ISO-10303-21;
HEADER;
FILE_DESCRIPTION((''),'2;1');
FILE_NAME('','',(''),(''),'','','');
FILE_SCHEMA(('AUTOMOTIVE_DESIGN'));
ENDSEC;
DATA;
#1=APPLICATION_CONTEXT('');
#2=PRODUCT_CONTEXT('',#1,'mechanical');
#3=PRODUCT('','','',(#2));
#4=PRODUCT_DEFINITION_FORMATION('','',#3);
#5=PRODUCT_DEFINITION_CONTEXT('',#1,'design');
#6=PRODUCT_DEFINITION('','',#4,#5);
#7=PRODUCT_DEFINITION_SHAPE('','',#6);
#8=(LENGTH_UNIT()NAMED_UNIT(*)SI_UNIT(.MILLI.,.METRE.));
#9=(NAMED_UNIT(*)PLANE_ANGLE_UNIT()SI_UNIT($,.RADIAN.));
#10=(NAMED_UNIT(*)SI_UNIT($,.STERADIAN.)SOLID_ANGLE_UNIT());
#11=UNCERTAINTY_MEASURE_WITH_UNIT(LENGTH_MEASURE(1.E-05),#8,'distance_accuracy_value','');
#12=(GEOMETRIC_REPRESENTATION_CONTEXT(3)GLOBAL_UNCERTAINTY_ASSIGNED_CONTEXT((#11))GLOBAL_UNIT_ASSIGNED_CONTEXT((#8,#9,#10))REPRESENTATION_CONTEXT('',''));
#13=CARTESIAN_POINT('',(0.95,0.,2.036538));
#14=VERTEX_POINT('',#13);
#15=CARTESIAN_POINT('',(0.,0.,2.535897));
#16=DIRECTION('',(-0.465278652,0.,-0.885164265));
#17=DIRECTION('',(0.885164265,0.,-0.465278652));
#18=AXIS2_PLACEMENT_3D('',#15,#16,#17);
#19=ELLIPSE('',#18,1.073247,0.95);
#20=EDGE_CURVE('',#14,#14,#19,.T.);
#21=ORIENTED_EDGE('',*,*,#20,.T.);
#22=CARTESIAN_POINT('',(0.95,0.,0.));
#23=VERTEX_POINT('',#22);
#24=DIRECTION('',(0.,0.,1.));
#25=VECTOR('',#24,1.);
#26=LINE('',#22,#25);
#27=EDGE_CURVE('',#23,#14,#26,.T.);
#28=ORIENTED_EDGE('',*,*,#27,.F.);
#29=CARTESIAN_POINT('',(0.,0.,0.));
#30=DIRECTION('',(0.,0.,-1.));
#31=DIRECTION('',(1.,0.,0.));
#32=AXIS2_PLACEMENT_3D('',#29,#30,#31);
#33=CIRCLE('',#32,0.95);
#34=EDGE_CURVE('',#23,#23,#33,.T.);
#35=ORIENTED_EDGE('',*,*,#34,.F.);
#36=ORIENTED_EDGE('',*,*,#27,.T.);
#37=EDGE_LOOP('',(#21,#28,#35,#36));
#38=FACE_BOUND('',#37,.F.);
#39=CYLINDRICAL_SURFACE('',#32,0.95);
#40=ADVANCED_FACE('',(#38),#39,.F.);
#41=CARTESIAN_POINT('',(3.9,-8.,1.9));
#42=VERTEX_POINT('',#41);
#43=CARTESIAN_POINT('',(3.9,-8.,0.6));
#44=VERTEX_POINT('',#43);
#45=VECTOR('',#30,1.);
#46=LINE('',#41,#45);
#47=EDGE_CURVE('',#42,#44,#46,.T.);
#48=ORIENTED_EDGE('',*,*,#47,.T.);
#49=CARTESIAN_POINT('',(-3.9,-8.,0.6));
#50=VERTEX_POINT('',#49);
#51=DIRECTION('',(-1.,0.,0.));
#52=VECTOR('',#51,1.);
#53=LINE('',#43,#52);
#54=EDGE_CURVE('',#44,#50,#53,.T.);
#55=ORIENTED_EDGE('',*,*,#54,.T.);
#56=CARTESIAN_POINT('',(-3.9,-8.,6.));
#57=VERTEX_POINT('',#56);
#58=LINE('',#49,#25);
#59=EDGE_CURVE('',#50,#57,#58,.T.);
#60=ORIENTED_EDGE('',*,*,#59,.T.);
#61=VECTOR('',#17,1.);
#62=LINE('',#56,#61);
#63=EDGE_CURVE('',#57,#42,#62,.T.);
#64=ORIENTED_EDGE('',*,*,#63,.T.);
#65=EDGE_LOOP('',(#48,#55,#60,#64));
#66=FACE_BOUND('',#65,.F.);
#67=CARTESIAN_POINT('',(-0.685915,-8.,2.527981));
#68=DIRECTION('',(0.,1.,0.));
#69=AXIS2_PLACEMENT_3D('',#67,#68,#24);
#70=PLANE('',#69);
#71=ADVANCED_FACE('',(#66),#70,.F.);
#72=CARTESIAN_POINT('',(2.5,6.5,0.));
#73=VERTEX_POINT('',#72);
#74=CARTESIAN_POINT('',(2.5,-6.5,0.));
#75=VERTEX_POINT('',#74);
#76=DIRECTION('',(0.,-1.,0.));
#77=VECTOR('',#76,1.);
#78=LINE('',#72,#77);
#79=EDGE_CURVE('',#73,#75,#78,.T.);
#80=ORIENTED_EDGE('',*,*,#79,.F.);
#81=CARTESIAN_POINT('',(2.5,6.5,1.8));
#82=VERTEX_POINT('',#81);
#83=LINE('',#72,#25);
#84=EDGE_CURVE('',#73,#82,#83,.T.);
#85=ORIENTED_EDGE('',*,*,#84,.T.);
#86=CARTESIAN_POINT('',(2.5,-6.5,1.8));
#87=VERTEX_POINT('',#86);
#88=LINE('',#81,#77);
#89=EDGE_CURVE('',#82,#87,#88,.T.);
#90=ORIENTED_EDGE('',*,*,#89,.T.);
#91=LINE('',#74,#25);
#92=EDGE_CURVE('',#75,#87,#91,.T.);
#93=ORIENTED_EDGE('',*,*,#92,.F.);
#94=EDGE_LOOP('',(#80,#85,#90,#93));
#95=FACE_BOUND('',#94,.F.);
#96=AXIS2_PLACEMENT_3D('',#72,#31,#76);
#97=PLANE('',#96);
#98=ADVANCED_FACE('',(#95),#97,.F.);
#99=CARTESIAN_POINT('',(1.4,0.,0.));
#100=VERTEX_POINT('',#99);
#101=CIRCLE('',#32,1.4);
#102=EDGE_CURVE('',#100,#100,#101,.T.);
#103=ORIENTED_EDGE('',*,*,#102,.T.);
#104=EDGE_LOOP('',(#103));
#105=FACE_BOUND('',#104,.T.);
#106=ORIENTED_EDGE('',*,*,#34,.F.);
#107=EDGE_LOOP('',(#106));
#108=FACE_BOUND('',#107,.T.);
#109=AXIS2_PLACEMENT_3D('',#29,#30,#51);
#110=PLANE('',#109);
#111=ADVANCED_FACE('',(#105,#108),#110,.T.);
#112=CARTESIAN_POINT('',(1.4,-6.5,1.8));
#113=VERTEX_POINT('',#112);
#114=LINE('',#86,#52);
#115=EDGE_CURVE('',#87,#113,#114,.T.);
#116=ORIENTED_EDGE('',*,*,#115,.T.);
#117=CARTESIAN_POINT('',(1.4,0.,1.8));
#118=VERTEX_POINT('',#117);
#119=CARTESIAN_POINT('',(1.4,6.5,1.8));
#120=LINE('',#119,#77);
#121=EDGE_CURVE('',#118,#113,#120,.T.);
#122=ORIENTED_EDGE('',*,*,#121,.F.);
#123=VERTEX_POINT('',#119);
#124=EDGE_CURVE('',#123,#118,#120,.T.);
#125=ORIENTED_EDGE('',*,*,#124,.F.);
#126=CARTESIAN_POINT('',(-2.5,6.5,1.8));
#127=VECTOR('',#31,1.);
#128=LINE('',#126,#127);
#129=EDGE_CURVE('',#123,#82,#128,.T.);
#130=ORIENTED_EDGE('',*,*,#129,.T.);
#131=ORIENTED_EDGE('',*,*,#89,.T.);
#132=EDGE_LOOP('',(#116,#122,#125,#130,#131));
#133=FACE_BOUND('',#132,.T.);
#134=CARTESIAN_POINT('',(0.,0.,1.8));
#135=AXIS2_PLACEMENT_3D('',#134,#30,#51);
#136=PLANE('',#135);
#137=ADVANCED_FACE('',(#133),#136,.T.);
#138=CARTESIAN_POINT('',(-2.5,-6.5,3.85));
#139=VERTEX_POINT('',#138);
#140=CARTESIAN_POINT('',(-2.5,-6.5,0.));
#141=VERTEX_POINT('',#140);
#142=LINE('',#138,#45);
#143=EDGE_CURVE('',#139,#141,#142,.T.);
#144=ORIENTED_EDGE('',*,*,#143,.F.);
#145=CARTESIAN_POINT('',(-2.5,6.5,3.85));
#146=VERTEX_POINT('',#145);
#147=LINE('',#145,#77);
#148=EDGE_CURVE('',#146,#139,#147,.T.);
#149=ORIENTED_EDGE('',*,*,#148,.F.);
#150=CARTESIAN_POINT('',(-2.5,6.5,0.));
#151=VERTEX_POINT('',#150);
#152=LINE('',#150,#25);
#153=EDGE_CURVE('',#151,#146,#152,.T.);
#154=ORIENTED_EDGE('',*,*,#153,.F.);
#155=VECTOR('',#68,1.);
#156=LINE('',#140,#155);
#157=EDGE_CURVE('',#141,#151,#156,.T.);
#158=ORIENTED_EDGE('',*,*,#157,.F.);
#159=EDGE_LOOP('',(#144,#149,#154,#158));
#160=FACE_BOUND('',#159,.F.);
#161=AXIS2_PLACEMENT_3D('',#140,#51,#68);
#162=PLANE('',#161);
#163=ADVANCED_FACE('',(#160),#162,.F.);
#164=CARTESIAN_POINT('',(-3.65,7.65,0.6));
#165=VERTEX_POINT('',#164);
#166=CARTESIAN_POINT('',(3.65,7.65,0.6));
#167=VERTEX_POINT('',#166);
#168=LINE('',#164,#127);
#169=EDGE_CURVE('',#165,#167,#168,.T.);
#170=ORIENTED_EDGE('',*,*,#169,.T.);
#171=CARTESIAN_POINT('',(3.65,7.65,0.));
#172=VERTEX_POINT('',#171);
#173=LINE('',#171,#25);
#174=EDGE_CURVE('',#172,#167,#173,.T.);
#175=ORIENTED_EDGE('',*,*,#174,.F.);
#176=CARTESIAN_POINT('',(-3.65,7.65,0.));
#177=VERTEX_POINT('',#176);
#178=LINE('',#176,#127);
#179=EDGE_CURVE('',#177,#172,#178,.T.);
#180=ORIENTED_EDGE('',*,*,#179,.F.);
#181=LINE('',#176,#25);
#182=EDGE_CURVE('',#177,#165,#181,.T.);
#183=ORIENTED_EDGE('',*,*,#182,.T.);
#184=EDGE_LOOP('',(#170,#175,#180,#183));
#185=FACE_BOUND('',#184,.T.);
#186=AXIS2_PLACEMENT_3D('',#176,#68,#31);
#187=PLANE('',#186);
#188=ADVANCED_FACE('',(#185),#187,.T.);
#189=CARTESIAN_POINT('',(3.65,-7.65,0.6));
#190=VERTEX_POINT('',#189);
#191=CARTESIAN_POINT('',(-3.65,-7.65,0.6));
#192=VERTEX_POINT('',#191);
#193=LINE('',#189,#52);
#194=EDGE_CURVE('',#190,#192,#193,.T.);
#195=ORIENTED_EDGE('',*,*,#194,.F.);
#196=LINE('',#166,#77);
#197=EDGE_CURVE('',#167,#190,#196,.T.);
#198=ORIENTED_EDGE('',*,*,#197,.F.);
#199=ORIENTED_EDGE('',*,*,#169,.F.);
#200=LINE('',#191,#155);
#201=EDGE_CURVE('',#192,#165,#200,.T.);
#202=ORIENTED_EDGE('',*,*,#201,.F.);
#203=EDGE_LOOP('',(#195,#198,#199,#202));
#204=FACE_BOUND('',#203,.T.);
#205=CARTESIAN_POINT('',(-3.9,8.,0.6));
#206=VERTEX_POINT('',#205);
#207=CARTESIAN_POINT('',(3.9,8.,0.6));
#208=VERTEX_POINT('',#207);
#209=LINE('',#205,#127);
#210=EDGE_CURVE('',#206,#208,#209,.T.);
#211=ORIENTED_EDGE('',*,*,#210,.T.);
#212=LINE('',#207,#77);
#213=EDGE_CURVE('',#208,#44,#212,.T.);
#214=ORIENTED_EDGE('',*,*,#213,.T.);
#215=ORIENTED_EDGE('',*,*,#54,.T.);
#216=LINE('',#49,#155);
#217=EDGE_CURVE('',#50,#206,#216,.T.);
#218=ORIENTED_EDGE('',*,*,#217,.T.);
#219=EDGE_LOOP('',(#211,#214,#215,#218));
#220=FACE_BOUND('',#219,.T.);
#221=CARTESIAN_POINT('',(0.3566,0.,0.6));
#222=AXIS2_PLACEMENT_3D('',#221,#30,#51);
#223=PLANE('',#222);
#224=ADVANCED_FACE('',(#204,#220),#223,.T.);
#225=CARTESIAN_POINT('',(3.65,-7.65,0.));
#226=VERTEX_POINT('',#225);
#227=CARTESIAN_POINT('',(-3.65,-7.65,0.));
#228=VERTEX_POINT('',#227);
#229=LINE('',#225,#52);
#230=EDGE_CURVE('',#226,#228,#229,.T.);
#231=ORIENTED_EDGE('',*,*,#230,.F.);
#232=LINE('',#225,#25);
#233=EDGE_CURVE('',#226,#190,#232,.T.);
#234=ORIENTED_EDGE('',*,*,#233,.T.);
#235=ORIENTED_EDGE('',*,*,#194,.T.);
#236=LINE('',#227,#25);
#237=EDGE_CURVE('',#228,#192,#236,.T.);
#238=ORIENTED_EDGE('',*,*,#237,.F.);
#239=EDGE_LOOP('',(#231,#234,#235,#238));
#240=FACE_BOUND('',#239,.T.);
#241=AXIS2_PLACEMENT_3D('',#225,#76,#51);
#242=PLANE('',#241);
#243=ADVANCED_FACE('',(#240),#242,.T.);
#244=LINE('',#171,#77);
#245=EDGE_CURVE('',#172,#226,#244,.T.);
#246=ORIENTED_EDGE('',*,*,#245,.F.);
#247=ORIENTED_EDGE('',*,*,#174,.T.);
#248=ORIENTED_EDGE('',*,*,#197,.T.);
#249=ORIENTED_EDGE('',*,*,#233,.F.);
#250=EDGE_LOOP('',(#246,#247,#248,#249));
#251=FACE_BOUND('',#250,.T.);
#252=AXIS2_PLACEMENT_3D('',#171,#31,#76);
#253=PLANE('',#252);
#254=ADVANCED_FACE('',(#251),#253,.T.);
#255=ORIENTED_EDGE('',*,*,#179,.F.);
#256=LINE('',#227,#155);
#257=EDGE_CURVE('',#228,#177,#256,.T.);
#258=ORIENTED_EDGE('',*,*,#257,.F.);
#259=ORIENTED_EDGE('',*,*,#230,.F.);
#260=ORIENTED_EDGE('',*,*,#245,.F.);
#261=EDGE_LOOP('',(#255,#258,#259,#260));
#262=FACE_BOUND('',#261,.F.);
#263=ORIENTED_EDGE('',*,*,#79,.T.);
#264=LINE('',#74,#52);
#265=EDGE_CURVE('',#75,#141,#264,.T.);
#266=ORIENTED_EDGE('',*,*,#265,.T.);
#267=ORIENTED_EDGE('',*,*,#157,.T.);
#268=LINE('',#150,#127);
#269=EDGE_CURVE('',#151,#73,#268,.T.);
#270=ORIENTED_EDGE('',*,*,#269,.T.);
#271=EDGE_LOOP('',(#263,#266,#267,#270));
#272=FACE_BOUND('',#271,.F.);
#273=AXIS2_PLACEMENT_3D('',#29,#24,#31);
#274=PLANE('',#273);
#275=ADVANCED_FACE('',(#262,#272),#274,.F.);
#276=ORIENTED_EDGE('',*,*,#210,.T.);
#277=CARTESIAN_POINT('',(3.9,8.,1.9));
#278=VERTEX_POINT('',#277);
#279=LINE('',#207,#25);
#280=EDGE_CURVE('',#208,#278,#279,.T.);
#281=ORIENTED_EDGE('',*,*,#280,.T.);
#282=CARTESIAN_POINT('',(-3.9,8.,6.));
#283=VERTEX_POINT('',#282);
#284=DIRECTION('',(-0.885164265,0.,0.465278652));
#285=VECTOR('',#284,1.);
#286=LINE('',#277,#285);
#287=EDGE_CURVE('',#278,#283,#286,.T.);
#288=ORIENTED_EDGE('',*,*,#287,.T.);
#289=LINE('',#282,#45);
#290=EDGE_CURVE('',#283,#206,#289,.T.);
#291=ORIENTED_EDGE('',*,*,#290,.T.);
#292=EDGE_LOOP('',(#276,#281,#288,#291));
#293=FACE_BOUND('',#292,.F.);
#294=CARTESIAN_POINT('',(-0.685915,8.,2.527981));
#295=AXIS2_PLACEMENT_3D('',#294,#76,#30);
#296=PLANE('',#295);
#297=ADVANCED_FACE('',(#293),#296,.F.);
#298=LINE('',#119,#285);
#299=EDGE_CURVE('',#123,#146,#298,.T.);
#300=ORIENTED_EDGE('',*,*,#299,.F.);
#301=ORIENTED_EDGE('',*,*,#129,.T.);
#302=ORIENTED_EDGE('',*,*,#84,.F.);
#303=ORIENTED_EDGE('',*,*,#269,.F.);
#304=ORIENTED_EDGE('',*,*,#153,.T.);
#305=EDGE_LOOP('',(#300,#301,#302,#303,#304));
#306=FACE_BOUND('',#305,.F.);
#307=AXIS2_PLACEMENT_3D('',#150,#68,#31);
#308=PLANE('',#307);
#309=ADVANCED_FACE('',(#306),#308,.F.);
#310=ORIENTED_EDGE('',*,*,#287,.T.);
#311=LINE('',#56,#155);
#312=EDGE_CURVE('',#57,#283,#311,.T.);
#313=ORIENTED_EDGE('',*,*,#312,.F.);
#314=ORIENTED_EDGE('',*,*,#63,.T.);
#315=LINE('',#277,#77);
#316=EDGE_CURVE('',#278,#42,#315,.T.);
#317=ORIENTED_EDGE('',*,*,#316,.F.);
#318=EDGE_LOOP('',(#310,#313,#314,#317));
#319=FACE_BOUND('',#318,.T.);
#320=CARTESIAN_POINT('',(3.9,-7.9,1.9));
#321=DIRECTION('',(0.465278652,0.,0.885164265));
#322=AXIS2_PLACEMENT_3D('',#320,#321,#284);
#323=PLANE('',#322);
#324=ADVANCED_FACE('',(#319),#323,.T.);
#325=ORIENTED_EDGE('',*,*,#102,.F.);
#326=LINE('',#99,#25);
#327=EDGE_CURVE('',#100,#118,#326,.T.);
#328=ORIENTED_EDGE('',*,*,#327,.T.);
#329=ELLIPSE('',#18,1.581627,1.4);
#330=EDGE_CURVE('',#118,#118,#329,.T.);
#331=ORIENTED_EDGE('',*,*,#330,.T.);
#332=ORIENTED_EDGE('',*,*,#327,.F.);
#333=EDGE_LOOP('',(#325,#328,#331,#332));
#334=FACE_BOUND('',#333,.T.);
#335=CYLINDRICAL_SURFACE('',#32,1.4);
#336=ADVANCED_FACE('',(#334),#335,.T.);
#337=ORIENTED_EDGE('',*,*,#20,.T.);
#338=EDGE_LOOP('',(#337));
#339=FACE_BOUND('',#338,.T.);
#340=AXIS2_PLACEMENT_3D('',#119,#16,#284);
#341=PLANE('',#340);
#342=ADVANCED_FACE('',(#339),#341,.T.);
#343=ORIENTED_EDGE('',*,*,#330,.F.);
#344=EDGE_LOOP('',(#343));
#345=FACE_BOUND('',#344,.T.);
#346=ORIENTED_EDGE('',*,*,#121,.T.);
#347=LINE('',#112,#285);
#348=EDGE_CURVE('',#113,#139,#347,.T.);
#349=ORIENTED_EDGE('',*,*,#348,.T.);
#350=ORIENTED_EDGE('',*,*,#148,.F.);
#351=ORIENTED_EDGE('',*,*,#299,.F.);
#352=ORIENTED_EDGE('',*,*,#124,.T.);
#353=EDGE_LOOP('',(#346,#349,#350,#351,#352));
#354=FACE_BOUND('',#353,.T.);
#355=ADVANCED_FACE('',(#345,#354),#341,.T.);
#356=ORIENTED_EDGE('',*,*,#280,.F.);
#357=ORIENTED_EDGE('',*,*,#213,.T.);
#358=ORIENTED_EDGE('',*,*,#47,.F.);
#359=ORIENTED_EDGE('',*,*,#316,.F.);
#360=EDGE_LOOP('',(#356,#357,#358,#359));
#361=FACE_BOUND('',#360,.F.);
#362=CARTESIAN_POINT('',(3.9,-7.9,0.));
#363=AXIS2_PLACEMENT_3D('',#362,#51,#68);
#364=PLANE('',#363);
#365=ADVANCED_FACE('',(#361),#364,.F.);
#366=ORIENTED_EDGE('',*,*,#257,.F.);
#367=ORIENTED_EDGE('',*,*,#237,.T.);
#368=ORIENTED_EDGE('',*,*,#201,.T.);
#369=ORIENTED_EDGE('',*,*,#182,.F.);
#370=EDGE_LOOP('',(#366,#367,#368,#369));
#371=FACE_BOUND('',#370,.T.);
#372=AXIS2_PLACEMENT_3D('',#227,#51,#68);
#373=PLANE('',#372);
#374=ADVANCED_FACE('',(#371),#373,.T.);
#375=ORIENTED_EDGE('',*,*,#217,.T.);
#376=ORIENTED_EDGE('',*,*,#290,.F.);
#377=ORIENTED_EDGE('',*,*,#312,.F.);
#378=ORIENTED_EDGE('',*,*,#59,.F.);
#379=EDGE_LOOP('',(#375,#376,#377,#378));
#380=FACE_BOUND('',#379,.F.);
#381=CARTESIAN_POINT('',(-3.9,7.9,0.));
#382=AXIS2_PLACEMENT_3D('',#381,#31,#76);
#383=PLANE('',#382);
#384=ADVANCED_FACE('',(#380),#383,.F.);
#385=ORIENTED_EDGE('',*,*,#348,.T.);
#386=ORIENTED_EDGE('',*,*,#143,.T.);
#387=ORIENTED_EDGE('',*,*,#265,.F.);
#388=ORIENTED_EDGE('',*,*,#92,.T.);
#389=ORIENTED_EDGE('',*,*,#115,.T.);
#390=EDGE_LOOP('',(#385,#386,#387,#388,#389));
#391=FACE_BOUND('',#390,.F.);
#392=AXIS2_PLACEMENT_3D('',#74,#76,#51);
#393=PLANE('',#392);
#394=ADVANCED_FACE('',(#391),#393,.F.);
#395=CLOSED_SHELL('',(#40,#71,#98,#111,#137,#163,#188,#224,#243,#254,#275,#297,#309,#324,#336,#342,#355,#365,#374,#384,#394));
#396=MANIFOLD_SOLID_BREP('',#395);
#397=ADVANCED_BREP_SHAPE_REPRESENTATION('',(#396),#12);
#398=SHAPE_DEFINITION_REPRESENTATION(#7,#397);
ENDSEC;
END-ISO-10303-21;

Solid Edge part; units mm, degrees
sketch "Sketch1" plane through (0, 0, 0) normal (0, 0, 1) x (1, 0, 0)
  line L0 (3.9, 7.9) -> (-3.9, 7.9)
  line L1 (-3.9, 7.9) -> (-3.9, -7.9)
  line L2 (-3.9, -7.9) -> (3.9, -7.9)
  line L3 (3.9, -7.9) -> (3.9, 7.9)
extrude "Protrusion1" add sketch "Sketch1" along normal blind 6
sketch "Sketch2" plane through (0, -7.9, 3) normal (0, -1, 0) x (1, 0, 0)
  line L0 (3.9, -3) -> (3.9, -1.1)
  line L1 (3.9, -1.1) -> (-3.9, 3)
  line L2 (-3.9, 3) -> (-3.9, 3.5621)
  line L3 (-3.9, 3.5621) -> (6.8698, 3.4105)
  line L4 (6.8698, 3.4105) -> (3.9, -3)
extrude "ExtrudedCutout_1" cut sketch "Sketch2" against normal blind 28.4067
sketch "Sketch3" plane through (0, 0, 0) normal (0, 0, -1) x (1, 0, 0)
  line L0 (3.65, 7.65) -> (-3.65, 7.65)
  line L1 (-3.65, 7.65) -> (-3.65, -7.65)
  line L2 (-3.65, -7.65) -> (3.65, -7.65)
  line L3 (3.65, -7.65) -> (3.65, 7.65)
  line L4 (-4.59, -8.7889) -> (5.3032, -8.7889)
  line L5 (5.3032, -8.7889) -> (5.3032, 8.7889)
  line L6 (5.3032, 8.7889) -> (-4.59, 8.7889)
  line L7 (-4.59, 8.7889) -> (-4.59, -8.7889)
extrude "ExtrudedCutout_2" cut sketch "Sketch3" against normal blind 0.6
sketch "Sketch4" plane through (0, 0, 0) normal (0, 0, -1) x (1, 0, 0)
  line L0 (-2.5, -6.5) -> (2.5, -6.5)
  line L1 (2.5, -6.5) -> (2.5, 6.5)
  line L2 (2.5, 6.5) -> (-2.5, 6.5)
  line L3 (-2.5, 6.5) -> (-2.5, -6.5)
extrude "ExtrudedCutout_3" cut sketch "Sketch4" against normal blind 1.8
sketch "Sketch5" plane through (0, 6.5, 0.9) normal (0, -1, 0) x (1, 0, 0)
  line L0 (-2.5, 0.9) -> (-2.5, 2.95)
  line L1 (1.4, 0.9) -> (-2.5, 2.95)
  line L2 (-2.5, 0.9) -> (1.4, 0.9)
extrude "Cutout1" cut sketch "Sketch5" along normal up to vertex (13 mm away)
sketch "Sketch6" plane through (0, 0, 0) normal (0, 0, -1) x (1, 0, 0)
  circle A0 centre (0, 0) radius 1.4
  circle A1 centre (0, 0) radius 0.95
extrude "ExtrudedProtrusion_2" add sketch "Sketch6" against normal blind 6.3788
sketch "Sketch7" plane through (0, -7.9, 3.3) normal (0, -1, 0) x (1, 0, 0)
  line L0 (-3.9, 2.7) -> (3.9, -1.4)
  line L1 (3.9, -1.4) -> (3.4688, 3.9064)
  line L2 (3.4688, 3.9064) -> (-3.9, 2.7)
extrude "ExtrudedCutout_5" cut sketch "Sketch7" against normal blind 34.0923
sketch "Sketch8" plane through (0, -7.9, 3.3) normal (0, -1, 0) x (0, 0, 1)
  line L0 (-2.7, -3.9) -> (-2.7, 3.9)
  line L1 (-2.7, 3.9) -> (2.7, 3.9)
  line L2 (2.7, 3.9) -> (-1.4, -3.9)
  line L3 (-1.4, -3.9) -> (-2.7, -3.9)
extrude "ExtrudedProtrusion_3" add sketch "Sketch8" along normal blind 0.1
sketch "Sketch9" plane through (0, 7.9, 3.3) normal (0, 1, 0) x (0, 0, -1)
  line L0 (-2.7, 3.9) -> (2.7, 3.9)
  line L1 (2.7, 3.9) -> (2.7, -3.9)
  line L2 (2.7, -3.9) -> (1.4, -3.9)
  line L3 (1.4, -3.9) -> (-2.7, 3.9)
extrude "ExtrudedProtrusion_4" add sketch "Sketch9" along normal blind 0.1
